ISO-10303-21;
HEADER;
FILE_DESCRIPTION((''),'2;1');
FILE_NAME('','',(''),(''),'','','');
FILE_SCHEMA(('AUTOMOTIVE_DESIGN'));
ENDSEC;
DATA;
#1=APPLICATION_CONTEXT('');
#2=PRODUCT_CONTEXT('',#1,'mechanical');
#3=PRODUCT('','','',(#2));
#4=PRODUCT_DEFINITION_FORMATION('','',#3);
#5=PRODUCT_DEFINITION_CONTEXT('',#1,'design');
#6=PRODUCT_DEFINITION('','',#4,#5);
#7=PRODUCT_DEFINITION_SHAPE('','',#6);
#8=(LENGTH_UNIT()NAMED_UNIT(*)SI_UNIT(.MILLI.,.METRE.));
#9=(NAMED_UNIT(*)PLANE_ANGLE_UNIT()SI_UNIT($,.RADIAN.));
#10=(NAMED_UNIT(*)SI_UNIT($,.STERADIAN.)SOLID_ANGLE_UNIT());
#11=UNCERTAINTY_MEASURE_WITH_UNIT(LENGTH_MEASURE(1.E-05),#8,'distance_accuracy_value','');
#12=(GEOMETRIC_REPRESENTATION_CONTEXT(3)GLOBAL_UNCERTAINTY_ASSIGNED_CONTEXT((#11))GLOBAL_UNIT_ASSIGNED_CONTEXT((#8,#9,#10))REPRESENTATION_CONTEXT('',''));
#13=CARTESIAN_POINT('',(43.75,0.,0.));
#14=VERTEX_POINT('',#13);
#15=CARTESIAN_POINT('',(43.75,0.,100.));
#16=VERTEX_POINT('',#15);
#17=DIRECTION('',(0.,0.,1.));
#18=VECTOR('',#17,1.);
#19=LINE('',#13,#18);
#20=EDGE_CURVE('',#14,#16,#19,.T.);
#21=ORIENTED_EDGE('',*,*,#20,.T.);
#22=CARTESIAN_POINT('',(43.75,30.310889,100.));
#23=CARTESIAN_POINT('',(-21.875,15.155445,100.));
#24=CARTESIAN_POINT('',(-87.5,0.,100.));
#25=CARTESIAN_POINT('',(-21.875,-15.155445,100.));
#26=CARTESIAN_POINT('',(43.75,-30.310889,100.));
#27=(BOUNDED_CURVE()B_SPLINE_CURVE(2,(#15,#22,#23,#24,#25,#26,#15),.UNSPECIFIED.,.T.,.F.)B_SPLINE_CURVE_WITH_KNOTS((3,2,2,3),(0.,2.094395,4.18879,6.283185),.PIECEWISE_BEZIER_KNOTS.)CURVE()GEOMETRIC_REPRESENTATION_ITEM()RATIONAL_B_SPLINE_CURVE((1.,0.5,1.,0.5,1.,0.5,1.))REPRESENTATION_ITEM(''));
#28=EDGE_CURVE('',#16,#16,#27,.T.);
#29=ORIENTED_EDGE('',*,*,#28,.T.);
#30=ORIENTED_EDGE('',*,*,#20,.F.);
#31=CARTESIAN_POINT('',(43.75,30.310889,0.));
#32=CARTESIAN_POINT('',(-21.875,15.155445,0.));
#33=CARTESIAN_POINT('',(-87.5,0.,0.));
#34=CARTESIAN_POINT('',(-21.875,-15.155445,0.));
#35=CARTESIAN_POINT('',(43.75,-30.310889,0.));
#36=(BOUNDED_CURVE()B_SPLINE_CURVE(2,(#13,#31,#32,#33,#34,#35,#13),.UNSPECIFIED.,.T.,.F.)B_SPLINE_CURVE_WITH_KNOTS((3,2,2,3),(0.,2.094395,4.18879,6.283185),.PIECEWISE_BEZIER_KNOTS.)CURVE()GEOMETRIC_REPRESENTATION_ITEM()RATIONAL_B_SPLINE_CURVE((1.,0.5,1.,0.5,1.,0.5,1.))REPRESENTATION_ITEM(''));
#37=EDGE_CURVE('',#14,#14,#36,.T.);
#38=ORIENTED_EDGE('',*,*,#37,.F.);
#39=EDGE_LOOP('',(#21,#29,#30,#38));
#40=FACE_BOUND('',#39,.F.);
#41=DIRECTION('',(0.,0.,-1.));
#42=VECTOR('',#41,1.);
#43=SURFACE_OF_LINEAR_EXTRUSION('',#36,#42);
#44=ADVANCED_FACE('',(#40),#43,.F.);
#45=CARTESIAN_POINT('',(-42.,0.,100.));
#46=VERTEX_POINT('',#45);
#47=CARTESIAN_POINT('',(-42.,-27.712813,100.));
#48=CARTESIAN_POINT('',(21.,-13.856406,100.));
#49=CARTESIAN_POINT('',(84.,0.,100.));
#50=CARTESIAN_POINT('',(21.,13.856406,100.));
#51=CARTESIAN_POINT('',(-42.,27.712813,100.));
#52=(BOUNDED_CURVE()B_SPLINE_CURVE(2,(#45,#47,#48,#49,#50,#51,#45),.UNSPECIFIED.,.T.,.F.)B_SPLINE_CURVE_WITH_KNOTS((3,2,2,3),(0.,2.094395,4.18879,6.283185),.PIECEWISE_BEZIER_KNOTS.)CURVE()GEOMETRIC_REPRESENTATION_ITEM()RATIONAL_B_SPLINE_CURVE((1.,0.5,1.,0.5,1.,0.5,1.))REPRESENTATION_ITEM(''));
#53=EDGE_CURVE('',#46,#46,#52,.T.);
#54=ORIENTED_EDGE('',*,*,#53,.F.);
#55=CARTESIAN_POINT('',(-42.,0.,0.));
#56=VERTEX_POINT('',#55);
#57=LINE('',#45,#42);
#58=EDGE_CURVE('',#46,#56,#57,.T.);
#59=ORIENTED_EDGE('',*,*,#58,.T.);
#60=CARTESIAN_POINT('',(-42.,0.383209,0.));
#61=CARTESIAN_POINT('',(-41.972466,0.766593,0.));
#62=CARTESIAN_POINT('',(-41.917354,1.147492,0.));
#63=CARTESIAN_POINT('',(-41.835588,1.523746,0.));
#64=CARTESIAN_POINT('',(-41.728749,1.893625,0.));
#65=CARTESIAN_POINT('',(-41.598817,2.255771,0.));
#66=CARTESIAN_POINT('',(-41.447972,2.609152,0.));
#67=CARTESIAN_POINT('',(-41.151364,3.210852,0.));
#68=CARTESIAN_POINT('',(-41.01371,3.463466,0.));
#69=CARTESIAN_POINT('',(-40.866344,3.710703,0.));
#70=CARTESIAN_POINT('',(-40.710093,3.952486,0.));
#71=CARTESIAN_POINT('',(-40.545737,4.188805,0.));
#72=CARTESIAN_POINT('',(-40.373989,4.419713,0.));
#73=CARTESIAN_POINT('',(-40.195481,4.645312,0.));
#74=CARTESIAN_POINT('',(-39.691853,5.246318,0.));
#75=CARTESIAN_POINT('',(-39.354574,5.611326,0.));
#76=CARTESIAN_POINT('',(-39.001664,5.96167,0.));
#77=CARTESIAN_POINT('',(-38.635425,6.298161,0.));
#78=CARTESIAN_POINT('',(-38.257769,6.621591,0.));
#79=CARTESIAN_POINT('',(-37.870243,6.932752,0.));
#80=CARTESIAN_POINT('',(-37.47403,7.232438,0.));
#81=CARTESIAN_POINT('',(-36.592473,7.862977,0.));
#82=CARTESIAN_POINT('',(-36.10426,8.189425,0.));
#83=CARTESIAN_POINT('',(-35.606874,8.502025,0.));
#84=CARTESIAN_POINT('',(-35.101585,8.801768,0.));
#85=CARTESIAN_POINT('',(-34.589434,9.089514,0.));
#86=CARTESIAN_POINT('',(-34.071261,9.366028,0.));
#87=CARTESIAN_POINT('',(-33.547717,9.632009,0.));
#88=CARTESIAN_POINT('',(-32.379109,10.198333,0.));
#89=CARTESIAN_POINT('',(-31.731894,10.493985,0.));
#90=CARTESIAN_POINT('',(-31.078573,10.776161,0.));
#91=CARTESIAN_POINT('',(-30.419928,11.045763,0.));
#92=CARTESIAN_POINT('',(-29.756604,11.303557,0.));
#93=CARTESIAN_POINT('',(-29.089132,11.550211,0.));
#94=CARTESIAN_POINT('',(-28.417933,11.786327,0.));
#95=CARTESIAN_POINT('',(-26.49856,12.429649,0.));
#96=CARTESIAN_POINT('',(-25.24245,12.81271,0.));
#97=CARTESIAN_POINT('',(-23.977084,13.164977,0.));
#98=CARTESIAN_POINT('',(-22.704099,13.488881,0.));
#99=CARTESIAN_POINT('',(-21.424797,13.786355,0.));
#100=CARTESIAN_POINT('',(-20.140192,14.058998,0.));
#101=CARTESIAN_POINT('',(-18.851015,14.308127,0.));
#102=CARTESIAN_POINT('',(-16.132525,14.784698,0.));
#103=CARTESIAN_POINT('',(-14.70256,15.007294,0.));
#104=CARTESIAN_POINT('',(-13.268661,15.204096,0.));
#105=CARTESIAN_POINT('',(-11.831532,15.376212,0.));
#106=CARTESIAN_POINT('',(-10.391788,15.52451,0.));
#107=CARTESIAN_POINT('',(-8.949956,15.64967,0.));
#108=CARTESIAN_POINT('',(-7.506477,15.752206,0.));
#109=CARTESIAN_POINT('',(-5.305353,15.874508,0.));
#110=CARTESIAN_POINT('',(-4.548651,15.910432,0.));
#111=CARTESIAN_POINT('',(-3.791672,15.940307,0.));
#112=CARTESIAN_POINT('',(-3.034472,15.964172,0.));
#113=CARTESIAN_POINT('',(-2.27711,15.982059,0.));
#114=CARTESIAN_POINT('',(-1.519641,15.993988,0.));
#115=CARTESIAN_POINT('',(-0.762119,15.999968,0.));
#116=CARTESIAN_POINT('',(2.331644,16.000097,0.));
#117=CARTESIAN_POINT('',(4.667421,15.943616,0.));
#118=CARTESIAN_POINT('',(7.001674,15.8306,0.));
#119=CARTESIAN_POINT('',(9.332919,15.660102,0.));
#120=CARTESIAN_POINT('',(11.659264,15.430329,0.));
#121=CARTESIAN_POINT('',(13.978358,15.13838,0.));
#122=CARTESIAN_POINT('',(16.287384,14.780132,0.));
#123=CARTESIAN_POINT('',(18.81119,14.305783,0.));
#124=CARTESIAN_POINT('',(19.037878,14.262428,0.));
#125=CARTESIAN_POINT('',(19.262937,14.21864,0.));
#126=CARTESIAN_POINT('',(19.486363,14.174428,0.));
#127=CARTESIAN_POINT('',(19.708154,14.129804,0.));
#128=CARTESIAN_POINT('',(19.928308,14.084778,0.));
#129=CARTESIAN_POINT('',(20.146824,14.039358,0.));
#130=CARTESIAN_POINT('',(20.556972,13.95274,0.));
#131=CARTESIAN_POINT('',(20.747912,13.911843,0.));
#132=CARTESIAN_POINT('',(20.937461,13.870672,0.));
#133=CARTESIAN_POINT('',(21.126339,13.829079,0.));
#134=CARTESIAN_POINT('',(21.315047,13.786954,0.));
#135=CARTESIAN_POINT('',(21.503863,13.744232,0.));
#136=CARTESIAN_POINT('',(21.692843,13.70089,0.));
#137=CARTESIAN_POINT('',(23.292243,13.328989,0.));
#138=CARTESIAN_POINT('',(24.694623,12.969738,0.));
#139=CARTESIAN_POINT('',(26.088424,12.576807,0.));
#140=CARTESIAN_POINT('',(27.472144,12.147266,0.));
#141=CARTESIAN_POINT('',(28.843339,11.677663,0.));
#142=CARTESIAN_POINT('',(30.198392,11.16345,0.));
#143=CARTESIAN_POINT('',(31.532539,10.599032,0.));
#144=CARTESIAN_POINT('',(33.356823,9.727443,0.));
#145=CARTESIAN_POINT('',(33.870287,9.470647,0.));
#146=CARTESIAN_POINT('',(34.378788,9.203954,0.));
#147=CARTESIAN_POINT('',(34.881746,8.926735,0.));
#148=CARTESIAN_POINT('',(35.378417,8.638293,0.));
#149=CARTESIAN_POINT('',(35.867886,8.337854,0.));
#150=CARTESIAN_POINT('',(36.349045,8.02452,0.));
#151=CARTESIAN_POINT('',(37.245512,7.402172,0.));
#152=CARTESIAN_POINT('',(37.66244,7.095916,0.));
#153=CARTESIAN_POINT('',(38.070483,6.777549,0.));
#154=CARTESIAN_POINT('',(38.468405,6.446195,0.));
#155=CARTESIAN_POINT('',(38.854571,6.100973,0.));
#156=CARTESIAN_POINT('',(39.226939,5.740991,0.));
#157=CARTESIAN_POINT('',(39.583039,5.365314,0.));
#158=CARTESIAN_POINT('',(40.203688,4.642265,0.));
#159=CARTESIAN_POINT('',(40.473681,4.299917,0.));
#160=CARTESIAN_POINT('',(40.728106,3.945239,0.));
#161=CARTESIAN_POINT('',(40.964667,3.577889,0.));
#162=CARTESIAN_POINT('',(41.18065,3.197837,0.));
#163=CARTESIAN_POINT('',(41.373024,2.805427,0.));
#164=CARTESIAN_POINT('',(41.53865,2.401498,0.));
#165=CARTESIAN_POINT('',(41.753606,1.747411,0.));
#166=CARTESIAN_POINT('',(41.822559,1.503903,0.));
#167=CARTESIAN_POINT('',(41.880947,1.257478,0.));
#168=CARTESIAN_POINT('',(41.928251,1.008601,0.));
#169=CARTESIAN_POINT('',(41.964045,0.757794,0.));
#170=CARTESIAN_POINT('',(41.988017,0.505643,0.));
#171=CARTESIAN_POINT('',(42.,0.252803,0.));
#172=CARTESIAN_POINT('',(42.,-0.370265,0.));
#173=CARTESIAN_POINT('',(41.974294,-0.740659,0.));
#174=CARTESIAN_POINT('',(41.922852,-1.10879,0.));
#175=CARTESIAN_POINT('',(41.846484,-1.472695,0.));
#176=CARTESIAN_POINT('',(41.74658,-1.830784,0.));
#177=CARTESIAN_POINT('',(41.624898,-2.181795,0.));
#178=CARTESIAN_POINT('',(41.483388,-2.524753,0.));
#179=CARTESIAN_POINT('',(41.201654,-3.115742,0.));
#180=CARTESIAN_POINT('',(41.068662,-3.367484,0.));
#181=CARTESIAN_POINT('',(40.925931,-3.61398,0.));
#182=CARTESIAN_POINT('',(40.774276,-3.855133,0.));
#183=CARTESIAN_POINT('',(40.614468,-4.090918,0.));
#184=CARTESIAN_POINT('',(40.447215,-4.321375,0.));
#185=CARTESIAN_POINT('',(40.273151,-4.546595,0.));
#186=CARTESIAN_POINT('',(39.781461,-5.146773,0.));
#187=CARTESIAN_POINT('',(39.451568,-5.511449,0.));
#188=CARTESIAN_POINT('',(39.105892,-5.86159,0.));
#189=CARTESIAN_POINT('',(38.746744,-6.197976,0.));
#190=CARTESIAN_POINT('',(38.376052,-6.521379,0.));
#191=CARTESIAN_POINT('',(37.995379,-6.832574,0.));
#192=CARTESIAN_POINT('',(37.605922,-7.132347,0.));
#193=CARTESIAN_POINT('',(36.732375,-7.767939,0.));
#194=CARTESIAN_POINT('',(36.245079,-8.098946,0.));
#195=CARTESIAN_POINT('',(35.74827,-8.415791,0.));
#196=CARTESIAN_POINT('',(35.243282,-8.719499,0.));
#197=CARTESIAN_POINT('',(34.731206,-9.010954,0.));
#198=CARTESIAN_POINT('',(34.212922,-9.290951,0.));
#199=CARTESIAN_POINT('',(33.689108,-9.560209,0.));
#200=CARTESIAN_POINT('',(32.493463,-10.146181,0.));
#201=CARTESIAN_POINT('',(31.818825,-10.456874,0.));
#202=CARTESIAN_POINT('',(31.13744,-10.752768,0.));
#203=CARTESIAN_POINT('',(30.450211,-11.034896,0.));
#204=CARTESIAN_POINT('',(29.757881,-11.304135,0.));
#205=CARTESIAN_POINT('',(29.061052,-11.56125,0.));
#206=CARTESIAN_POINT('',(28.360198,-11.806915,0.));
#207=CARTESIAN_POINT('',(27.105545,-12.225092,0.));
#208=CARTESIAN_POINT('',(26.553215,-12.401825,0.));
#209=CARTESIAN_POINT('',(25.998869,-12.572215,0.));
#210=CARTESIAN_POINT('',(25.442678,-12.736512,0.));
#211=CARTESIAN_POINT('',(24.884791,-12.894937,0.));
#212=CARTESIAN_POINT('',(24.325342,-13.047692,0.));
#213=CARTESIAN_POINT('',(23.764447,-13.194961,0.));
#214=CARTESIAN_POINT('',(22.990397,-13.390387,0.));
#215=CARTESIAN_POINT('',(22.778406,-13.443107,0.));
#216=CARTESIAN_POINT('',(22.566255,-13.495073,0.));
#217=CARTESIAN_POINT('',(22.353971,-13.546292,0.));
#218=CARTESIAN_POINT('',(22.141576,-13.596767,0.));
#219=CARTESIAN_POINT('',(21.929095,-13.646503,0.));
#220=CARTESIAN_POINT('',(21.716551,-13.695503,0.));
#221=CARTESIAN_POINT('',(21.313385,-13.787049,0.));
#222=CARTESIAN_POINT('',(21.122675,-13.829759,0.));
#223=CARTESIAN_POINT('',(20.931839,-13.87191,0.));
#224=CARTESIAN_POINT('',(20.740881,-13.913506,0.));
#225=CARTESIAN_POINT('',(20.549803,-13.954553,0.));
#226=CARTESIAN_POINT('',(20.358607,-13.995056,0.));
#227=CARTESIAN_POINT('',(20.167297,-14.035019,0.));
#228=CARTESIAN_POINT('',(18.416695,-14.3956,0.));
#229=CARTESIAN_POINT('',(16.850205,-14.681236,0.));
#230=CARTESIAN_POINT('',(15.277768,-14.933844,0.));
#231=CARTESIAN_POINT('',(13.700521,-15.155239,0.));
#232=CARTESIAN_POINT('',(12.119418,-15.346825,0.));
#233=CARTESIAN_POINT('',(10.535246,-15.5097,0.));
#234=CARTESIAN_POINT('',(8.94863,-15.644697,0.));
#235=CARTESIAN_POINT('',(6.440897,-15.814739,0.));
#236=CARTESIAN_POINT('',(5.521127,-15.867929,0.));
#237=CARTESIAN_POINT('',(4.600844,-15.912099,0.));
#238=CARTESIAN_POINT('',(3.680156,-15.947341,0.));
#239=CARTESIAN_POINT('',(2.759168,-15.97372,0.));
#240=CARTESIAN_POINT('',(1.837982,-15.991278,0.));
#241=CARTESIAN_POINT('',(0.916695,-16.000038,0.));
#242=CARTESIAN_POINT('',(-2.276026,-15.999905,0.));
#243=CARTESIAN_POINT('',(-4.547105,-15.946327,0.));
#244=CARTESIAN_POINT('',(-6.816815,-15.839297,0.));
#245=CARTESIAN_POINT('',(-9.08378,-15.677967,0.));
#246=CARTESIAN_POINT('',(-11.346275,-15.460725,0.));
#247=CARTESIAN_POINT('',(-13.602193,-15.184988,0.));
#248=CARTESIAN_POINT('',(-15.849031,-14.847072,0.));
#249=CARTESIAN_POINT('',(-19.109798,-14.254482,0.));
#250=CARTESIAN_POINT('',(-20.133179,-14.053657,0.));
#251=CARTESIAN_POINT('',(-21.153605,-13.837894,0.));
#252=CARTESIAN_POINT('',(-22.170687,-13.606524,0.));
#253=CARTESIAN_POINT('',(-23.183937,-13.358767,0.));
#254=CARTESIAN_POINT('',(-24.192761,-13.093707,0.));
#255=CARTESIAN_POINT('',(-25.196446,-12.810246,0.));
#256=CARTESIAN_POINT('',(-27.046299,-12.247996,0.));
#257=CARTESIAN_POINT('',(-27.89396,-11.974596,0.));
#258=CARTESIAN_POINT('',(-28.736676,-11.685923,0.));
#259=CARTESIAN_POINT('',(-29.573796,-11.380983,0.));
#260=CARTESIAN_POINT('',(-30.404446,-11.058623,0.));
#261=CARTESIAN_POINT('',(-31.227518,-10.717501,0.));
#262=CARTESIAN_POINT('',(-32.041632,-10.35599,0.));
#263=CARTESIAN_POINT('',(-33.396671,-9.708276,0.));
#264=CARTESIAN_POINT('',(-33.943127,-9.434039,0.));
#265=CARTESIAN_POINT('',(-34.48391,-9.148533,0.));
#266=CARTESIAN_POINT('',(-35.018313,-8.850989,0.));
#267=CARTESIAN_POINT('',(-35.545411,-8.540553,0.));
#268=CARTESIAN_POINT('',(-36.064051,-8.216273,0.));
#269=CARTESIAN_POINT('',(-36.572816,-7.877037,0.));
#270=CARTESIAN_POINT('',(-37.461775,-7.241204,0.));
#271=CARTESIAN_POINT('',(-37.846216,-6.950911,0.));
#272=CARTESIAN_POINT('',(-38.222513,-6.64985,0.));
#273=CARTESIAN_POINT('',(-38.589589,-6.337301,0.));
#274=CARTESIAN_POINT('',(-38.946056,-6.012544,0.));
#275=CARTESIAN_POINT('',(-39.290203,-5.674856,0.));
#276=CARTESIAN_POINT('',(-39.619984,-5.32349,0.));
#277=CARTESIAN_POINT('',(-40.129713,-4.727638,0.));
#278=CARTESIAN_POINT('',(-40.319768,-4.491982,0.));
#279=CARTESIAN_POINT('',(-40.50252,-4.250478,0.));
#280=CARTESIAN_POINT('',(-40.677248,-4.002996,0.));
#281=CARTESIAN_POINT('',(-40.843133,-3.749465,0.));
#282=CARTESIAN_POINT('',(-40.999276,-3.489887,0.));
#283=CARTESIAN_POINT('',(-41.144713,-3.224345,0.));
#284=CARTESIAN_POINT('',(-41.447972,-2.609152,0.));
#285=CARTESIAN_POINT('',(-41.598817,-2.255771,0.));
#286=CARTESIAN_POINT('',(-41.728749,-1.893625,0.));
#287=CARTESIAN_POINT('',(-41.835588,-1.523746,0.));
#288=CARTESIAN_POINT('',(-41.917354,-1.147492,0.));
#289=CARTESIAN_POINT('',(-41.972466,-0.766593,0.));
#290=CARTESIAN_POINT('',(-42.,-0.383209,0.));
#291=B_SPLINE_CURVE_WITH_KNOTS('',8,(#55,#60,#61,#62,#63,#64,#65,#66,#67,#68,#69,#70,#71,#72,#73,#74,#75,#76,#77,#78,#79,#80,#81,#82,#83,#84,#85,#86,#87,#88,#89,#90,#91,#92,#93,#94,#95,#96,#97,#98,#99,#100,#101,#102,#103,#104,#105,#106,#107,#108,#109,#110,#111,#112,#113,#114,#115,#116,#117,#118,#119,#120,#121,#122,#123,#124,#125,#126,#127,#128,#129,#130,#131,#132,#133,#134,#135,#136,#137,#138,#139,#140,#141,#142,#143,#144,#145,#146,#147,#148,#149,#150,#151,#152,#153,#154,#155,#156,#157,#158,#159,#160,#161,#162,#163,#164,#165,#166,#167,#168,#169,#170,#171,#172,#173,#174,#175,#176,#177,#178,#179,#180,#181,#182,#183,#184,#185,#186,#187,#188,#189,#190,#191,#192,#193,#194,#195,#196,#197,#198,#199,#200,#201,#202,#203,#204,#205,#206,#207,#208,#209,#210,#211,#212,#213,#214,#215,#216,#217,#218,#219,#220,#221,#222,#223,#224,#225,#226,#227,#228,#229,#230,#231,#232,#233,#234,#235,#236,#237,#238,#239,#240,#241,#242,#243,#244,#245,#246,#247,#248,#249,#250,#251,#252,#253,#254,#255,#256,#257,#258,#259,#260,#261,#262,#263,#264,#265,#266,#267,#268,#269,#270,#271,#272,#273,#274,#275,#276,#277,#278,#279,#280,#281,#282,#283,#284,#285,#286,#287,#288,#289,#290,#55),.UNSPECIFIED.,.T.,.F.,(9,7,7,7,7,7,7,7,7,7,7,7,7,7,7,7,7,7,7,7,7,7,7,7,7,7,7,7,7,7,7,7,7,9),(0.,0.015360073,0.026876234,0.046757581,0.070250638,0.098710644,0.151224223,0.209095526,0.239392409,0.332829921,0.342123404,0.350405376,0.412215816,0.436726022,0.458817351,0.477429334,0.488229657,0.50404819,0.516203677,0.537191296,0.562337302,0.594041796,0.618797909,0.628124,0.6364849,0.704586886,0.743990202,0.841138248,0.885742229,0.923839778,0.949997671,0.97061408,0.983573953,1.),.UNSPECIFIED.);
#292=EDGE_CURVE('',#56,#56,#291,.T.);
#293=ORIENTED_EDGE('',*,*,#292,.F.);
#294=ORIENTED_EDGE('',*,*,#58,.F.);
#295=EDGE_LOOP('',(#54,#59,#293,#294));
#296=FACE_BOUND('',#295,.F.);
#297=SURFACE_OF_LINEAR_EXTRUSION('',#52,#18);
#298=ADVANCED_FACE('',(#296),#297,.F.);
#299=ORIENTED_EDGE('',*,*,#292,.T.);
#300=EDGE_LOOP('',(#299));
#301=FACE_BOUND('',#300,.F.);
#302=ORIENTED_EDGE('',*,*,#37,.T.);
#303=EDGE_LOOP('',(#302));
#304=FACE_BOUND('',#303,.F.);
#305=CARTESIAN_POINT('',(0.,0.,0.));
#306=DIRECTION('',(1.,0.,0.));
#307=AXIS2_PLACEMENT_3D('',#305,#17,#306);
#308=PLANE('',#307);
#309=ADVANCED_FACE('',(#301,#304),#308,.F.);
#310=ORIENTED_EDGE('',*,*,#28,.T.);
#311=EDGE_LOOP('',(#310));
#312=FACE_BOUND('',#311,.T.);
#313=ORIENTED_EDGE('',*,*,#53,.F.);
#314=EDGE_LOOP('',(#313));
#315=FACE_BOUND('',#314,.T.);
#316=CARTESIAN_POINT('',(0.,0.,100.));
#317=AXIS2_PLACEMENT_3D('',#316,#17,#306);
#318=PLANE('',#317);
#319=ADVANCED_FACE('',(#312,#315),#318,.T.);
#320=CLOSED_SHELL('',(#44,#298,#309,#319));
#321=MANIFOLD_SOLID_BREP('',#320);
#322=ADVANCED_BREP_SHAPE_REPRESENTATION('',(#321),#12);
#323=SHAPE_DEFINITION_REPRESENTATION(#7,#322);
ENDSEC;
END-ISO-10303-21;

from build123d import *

# Parameters (mm, degrees)
F1_DEPTH = 100
F3_DEPTH = 100.001


with BuildPart() as f1:
    # F0 (on Top) → F1 (new body)
    with BuildSketch(Plane.XY):
        with BuildLine():
            add(Edge.make_bspline(
                [(43.75, 0), (43.75, 30.310889), (-21.875, 15.155445), (-87.5, 0), (-21.875, -15.155445), (43.75, -30.310889), (43.75, 0)],
                knots=[0, 0, 0, 2.094395, 2.094395, 4.18879, 4.18879, 6.283185, 6.283185, 6.283185], degree=2, weights=[1, 0.5, 1, 0.5, 1, 0.5, 1]))
        make_face()
    extrude(amount=F1_DEPTH)

    # F2 (on face) → F3 (cut, through all)
    with BuildSketch(Plane.XY.offset(100)):
        with BuildLine():
            add(Edge.make_bspline(
                [(-42, 0), (-42, -27.712813), (21, -13.856406), (84, 0), (21, 13.856406), (-42, 27.712813), (-42, 0)],
                knots=[0, 0, 0, 2.094395, 2.094395, 4.18879, 4.18879, 6.283185, 6.283185, 6.283185], degree=2, weights=[1, 0.5, 1, 0.5, 1, 0.5, 1]))
        make_face()
    extrude(amount=-F3_DEPTH, mode=Mode.SUBTRACT)


solid = f1.part
